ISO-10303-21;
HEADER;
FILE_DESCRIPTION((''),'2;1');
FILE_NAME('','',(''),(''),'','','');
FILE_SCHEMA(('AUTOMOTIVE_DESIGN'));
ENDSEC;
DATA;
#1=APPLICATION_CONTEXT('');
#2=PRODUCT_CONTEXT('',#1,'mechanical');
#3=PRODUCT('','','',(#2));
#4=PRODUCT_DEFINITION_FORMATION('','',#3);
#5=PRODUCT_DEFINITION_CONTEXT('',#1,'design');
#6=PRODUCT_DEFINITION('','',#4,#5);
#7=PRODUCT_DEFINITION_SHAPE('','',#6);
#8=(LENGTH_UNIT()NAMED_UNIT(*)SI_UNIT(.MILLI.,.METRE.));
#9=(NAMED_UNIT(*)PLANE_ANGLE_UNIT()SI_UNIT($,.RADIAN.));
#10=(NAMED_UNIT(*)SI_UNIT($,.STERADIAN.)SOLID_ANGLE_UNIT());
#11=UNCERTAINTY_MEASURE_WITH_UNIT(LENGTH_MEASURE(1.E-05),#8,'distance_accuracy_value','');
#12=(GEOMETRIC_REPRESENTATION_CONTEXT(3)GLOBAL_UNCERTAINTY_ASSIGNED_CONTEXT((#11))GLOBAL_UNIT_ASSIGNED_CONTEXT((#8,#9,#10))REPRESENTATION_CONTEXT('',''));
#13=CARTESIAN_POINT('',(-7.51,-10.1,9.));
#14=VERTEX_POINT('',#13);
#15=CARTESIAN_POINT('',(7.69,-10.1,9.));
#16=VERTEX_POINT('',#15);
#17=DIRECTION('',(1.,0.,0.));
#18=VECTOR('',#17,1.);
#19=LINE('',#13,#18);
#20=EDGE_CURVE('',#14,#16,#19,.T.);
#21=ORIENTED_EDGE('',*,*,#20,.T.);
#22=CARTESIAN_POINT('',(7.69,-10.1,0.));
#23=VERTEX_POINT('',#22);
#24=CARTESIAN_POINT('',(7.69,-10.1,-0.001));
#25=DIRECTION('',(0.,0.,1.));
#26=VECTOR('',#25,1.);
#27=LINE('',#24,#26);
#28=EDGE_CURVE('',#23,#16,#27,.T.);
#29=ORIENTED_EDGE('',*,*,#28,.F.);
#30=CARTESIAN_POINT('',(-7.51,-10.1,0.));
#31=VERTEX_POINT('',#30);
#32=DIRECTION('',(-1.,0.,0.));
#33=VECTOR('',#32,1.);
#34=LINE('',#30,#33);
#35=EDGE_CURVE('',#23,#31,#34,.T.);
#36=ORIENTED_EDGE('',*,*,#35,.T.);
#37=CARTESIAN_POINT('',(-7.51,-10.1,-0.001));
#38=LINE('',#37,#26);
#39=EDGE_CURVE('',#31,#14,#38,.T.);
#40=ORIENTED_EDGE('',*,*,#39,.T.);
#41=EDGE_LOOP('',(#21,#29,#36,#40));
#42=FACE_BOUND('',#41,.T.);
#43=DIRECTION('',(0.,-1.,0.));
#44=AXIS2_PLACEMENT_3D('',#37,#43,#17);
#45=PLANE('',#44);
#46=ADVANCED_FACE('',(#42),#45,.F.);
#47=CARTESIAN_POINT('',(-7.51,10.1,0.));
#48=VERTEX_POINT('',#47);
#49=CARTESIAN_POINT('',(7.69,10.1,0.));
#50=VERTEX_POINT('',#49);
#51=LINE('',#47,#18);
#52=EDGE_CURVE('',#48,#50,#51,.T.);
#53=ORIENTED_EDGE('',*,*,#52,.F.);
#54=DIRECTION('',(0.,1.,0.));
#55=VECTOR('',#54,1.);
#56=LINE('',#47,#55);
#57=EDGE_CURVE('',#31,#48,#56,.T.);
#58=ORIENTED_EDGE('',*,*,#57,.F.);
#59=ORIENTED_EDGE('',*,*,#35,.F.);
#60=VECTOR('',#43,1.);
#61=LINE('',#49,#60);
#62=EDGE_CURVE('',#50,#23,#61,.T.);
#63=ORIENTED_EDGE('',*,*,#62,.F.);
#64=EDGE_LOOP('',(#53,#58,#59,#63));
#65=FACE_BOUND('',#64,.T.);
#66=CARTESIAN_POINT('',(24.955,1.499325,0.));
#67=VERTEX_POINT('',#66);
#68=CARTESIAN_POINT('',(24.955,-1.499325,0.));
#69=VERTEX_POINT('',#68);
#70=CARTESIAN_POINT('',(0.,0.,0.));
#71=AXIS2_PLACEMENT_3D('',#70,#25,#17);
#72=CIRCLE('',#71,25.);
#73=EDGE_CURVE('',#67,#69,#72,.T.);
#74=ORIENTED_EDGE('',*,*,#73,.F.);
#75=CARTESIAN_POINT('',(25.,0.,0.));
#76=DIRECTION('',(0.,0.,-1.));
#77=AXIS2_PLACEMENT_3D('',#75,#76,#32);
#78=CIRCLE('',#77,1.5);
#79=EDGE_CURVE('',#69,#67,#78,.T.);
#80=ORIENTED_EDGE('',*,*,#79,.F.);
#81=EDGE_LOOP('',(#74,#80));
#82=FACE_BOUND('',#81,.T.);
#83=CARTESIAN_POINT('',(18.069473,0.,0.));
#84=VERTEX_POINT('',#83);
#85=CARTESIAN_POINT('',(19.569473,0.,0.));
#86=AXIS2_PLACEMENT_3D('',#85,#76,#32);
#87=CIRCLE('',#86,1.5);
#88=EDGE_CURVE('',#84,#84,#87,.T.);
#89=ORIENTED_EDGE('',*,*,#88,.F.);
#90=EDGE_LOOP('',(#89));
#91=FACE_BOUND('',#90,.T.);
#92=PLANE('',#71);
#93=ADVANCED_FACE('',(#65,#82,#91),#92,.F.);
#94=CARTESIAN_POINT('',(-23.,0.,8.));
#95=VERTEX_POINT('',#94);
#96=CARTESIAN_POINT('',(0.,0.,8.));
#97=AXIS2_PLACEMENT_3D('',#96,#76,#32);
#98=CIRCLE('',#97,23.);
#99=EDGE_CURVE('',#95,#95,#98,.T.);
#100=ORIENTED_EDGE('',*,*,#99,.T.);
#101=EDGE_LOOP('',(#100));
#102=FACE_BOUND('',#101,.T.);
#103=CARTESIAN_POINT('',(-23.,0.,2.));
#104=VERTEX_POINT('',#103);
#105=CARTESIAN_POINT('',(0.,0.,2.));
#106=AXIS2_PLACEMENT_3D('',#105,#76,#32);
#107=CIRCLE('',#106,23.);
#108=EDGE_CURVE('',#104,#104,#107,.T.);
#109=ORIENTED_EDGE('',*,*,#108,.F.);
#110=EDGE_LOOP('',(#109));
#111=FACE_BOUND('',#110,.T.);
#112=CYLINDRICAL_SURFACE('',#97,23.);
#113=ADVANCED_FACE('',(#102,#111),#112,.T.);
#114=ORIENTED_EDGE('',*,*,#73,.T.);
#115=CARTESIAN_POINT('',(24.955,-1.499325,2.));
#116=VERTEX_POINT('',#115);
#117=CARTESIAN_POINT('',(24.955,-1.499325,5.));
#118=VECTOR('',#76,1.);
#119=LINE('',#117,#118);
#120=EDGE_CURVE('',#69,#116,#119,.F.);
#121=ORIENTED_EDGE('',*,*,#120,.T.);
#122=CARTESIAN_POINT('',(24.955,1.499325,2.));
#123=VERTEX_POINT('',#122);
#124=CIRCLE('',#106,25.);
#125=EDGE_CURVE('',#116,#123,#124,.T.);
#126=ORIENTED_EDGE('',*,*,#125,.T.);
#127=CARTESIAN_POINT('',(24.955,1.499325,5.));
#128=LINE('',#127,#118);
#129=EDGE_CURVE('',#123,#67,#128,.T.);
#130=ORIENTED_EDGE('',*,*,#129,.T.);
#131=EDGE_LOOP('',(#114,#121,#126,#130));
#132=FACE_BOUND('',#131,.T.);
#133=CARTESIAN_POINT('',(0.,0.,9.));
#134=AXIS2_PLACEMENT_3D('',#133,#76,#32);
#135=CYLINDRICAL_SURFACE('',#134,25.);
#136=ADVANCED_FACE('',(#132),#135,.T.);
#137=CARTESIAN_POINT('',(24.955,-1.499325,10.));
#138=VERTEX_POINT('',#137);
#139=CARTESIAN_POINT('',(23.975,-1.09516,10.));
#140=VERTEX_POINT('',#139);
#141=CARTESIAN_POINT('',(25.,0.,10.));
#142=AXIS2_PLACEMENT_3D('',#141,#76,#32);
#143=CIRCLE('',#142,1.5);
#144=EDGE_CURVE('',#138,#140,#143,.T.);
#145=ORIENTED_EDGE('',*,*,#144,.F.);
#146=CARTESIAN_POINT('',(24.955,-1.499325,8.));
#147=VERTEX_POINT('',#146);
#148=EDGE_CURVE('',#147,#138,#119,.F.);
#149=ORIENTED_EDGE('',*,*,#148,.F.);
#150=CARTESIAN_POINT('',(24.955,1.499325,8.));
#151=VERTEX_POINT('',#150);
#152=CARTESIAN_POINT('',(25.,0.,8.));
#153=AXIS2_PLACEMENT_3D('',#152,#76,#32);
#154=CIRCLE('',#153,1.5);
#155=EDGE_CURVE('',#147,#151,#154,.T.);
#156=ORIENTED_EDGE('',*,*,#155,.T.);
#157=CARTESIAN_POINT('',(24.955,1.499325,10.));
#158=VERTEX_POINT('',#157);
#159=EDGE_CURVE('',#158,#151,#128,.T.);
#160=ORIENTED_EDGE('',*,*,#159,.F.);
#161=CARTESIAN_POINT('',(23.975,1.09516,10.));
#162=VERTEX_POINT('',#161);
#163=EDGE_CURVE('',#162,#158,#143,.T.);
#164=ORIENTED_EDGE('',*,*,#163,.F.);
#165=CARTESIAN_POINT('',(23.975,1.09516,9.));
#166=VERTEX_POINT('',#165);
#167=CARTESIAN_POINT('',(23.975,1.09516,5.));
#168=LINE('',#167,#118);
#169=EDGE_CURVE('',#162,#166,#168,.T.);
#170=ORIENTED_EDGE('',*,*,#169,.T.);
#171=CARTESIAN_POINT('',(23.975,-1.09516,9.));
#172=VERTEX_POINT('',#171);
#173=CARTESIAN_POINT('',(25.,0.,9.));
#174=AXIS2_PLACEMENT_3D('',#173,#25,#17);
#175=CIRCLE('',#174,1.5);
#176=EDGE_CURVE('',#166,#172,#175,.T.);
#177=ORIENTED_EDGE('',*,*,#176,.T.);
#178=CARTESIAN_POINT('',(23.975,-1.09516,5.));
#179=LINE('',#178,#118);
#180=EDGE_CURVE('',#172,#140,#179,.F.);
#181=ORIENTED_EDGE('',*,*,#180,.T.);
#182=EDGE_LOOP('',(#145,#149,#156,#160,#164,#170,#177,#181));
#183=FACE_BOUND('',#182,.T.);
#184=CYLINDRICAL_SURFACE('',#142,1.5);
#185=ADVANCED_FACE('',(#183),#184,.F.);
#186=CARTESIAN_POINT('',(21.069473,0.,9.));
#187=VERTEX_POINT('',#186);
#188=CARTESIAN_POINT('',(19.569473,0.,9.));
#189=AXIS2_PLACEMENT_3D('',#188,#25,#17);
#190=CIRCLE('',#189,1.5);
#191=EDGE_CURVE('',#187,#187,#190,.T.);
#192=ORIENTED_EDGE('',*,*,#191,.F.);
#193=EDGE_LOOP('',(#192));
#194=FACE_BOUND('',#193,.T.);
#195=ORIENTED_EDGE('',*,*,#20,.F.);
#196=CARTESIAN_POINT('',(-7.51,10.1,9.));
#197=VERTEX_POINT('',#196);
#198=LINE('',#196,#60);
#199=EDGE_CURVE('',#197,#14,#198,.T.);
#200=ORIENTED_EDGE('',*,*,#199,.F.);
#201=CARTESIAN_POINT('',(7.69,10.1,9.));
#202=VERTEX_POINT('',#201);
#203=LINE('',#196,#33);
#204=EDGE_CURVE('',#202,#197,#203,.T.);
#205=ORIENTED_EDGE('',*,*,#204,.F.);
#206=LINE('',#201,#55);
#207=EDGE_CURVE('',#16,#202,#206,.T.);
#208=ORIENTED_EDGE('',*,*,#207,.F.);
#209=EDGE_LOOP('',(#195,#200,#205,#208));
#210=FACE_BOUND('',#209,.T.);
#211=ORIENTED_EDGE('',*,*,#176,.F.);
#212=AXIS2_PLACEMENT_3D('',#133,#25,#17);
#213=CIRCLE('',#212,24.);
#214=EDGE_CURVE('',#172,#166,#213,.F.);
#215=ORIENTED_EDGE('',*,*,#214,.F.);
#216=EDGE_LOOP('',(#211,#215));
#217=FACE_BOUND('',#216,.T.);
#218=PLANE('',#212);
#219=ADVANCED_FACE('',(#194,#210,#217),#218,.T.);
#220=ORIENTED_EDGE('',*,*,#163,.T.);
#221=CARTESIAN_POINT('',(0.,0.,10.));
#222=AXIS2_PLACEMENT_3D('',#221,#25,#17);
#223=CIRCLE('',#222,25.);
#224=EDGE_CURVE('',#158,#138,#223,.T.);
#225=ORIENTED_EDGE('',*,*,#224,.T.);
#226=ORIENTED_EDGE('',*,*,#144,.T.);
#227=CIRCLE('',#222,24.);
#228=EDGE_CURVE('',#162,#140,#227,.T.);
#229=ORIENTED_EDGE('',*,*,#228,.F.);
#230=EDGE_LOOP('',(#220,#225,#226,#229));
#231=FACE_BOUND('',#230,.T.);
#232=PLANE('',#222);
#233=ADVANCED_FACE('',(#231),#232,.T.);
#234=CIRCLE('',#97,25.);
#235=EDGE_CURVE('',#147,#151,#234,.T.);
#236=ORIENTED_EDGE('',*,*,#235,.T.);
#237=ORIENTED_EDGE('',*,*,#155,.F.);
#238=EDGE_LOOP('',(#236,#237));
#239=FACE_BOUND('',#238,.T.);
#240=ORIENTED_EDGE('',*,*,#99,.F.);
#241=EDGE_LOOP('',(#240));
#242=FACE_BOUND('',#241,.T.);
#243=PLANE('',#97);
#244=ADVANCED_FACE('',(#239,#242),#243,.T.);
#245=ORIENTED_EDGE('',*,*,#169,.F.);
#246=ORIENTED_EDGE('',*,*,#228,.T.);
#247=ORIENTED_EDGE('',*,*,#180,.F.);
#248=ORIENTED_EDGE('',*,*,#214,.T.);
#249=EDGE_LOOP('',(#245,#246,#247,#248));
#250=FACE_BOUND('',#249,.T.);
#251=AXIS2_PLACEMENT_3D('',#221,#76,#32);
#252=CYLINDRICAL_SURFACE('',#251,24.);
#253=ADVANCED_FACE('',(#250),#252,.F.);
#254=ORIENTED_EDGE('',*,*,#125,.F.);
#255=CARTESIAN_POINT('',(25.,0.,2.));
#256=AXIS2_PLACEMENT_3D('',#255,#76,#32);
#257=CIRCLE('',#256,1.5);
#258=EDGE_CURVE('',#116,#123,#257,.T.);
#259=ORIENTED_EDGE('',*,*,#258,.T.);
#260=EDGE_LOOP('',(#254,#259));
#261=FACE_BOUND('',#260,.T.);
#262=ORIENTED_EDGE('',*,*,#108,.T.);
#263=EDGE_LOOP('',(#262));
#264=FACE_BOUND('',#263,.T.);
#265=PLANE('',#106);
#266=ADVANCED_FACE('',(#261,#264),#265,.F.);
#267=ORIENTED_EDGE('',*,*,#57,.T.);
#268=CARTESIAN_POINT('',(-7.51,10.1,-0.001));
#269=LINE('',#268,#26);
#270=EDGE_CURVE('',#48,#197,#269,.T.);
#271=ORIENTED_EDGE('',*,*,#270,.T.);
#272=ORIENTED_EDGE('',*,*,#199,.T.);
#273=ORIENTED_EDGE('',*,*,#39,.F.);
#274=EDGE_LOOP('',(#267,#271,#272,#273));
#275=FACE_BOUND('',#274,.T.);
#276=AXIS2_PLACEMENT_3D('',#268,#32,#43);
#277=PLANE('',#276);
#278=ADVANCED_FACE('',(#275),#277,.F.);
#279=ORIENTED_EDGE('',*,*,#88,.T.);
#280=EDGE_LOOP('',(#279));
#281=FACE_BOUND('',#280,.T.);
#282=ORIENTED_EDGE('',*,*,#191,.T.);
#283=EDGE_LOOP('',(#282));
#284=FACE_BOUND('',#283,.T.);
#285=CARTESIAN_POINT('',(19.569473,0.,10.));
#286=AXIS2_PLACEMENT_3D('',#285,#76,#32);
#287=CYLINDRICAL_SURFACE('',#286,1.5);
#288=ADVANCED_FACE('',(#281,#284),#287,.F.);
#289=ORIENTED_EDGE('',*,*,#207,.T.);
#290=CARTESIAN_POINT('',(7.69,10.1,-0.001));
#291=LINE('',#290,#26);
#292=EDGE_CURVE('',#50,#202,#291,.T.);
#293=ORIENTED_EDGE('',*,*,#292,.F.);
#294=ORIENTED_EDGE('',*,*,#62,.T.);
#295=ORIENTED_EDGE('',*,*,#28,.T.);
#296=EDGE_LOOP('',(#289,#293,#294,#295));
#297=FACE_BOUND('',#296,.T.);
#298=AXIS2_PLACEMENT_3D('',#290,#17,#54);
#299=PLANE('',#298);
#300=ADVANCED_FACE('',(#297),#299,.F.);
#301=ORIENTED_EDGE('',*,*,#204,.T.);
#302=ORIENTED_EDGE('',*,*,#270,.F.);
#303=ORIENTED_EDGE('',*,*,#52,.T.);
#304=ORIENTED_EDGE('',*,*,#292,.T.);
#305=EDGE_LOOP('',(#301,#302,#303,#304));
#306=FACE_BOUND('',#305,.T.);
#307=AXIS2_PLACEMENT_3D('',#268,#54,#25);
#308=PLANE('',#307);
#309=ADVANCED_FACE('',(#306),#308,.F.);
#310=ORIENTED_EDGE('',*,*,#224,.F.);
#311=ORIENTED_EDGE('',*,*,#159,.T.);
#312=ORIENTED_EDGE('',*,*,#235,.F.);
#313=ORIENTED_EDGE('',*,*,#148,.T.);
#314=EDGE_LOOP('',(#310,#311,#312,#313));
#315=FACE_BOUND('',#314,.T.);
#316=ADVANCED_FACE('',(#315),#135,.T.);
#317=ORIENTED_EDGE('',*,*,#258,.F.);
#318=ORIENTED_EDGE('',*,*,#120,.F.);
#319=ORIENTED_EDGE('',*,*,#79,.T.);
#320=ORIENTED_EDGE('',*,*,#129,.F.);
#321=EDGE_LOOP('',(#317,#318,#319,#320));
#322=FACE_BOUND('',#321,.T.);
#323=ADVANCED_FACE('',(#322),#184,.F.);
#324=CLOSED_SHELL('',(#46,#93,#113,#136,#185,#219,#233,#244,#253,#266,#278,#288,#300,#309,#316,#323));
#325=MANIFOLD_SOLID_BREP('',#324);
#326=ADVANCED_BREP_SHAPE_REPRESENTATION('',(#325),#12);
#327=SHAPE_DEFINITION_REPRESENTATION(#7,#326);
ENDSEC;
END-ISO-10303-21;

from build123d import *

# Parameters (mm, degrees)
SKIZZE1_R                       = 25
AUFSATZ_LINEAR_AUSTRAGEN1_DEPTH = 9
SKIZZE3_R                       = 25
SKIZZE3_R_2                     = 24
AUFSATZ_LINEAR_AUSTRAGEN2_DEPTH = 1
SCHNITT_LINEAR_AUSTRAGEN1_REACH = 38.483
SKIZZE4_W                       = 15.2
SKIZZE4_H                       = 20.2
SKIZZE6_R                       = 25
SKIZZE6_R_2                     = 23
SCHNITT_LINEAR_AUSTRAGEN2_DEPTH = 6
SKIZZE7_R                       = 1.5
SCHNITT_LINEAR_AUSTRAGEN3_DEPTH = 37.742346142
SKIZZE8_R                       = 1.5
SCHNITT_LINEAR_AUSTRAGEN4_DEPTH = 37.742346142


with BuildPart() as part:
    # Skizze1 → Aufsatz-Linear austragen1 (new body)
    with BuildSketch(Plane.XY):
        Circle(SKIZZE1_R)
    extrude(amount=AUFSATZ_LINEAR_AUSTRAGEN1_DEPTH)

    # Skizze3 → Aufsatz-Linear austragen2 (add)
    with BuildSketch(Plane.XY.offset(9)):
        Circle(SKIZZE3_R)
        Circle(SKIZZE3_R_2, mode=Mode.SUBTRACT)
    extrude(amount=AUFSATZ_LINEAR_AUSTRAGEN2_DEPTH)

    # Skizze4 → Schnitt-Linear austragen1 (cut, up to next)
    with BuildSketch(Plane.XY.offset(9), mode=Mode.PRIVATE) as schnitt_linear_austragen1_sk1:
        with Locations((0.09, 0)):
            Rectangle(SKIZZE4_W, SKIZZE4_H)
    schnitt_linear_austragen1_tool1 = extrude(schnitt_linear_austragen1_sk1.sketch, amount=-SCHNITT_LINEAR_AUSTRAGEN1_REACH, mode=Mode.PRIVATE) & part.part
    add(schnitt_linear_austragen1_tool1.solids().sort_by_distance((0.09, 0, 9))[0], mode=Mode.SUBTRACT)

    # Skizze6 → Schnitt-Linear austragen2 (cut)
    with BuildSketch(Plane(origin=(0, 0, 2), x_dir=(-1, 0, 0), z_dir=(0, 0, -1))):
        Circle(SKIZZE6_R)
        Circle(SKIZZE6_R_2, mode=Mode.SUBTRACT)
    extrude(amount=-SCHNITT_LINEAR_AUSTRAGEN2_DEPTH, mode=Mode.SUBTRACT)

    # Skizze7 → Schnitt-Linear austragen3 (cut, through all)
    with BuildSketch(Plane(origin=(0, 0, 0), x_dir=(-1, 0, 0), z_dir=(0, 0, -1))):
        with Locations((-19.569472829, 0)):
            Circle(SKIZZE7_R)
    extrude(amount=-SCHNITT_LINEAR_AUSTRAGEN3_DEPTH, mode=Mode.SUBTRACT)

    # Skizze8 → Schnitt-Linear austragen4 (cut, through all)
    with BuildSketch(Plane(origin=(0, 0, 0), x_dir=(-1, 0, 0), z_dir=(0, 0, -1))):
        with Locations((-25, 0)):
            Circle(SKIZZE8_R)
    extrude(amount=-SCHNITT_LINEAR_AUSTRAGEN4_DEPTH, mode=Mode.SUBTRACT)


solid = part.part
